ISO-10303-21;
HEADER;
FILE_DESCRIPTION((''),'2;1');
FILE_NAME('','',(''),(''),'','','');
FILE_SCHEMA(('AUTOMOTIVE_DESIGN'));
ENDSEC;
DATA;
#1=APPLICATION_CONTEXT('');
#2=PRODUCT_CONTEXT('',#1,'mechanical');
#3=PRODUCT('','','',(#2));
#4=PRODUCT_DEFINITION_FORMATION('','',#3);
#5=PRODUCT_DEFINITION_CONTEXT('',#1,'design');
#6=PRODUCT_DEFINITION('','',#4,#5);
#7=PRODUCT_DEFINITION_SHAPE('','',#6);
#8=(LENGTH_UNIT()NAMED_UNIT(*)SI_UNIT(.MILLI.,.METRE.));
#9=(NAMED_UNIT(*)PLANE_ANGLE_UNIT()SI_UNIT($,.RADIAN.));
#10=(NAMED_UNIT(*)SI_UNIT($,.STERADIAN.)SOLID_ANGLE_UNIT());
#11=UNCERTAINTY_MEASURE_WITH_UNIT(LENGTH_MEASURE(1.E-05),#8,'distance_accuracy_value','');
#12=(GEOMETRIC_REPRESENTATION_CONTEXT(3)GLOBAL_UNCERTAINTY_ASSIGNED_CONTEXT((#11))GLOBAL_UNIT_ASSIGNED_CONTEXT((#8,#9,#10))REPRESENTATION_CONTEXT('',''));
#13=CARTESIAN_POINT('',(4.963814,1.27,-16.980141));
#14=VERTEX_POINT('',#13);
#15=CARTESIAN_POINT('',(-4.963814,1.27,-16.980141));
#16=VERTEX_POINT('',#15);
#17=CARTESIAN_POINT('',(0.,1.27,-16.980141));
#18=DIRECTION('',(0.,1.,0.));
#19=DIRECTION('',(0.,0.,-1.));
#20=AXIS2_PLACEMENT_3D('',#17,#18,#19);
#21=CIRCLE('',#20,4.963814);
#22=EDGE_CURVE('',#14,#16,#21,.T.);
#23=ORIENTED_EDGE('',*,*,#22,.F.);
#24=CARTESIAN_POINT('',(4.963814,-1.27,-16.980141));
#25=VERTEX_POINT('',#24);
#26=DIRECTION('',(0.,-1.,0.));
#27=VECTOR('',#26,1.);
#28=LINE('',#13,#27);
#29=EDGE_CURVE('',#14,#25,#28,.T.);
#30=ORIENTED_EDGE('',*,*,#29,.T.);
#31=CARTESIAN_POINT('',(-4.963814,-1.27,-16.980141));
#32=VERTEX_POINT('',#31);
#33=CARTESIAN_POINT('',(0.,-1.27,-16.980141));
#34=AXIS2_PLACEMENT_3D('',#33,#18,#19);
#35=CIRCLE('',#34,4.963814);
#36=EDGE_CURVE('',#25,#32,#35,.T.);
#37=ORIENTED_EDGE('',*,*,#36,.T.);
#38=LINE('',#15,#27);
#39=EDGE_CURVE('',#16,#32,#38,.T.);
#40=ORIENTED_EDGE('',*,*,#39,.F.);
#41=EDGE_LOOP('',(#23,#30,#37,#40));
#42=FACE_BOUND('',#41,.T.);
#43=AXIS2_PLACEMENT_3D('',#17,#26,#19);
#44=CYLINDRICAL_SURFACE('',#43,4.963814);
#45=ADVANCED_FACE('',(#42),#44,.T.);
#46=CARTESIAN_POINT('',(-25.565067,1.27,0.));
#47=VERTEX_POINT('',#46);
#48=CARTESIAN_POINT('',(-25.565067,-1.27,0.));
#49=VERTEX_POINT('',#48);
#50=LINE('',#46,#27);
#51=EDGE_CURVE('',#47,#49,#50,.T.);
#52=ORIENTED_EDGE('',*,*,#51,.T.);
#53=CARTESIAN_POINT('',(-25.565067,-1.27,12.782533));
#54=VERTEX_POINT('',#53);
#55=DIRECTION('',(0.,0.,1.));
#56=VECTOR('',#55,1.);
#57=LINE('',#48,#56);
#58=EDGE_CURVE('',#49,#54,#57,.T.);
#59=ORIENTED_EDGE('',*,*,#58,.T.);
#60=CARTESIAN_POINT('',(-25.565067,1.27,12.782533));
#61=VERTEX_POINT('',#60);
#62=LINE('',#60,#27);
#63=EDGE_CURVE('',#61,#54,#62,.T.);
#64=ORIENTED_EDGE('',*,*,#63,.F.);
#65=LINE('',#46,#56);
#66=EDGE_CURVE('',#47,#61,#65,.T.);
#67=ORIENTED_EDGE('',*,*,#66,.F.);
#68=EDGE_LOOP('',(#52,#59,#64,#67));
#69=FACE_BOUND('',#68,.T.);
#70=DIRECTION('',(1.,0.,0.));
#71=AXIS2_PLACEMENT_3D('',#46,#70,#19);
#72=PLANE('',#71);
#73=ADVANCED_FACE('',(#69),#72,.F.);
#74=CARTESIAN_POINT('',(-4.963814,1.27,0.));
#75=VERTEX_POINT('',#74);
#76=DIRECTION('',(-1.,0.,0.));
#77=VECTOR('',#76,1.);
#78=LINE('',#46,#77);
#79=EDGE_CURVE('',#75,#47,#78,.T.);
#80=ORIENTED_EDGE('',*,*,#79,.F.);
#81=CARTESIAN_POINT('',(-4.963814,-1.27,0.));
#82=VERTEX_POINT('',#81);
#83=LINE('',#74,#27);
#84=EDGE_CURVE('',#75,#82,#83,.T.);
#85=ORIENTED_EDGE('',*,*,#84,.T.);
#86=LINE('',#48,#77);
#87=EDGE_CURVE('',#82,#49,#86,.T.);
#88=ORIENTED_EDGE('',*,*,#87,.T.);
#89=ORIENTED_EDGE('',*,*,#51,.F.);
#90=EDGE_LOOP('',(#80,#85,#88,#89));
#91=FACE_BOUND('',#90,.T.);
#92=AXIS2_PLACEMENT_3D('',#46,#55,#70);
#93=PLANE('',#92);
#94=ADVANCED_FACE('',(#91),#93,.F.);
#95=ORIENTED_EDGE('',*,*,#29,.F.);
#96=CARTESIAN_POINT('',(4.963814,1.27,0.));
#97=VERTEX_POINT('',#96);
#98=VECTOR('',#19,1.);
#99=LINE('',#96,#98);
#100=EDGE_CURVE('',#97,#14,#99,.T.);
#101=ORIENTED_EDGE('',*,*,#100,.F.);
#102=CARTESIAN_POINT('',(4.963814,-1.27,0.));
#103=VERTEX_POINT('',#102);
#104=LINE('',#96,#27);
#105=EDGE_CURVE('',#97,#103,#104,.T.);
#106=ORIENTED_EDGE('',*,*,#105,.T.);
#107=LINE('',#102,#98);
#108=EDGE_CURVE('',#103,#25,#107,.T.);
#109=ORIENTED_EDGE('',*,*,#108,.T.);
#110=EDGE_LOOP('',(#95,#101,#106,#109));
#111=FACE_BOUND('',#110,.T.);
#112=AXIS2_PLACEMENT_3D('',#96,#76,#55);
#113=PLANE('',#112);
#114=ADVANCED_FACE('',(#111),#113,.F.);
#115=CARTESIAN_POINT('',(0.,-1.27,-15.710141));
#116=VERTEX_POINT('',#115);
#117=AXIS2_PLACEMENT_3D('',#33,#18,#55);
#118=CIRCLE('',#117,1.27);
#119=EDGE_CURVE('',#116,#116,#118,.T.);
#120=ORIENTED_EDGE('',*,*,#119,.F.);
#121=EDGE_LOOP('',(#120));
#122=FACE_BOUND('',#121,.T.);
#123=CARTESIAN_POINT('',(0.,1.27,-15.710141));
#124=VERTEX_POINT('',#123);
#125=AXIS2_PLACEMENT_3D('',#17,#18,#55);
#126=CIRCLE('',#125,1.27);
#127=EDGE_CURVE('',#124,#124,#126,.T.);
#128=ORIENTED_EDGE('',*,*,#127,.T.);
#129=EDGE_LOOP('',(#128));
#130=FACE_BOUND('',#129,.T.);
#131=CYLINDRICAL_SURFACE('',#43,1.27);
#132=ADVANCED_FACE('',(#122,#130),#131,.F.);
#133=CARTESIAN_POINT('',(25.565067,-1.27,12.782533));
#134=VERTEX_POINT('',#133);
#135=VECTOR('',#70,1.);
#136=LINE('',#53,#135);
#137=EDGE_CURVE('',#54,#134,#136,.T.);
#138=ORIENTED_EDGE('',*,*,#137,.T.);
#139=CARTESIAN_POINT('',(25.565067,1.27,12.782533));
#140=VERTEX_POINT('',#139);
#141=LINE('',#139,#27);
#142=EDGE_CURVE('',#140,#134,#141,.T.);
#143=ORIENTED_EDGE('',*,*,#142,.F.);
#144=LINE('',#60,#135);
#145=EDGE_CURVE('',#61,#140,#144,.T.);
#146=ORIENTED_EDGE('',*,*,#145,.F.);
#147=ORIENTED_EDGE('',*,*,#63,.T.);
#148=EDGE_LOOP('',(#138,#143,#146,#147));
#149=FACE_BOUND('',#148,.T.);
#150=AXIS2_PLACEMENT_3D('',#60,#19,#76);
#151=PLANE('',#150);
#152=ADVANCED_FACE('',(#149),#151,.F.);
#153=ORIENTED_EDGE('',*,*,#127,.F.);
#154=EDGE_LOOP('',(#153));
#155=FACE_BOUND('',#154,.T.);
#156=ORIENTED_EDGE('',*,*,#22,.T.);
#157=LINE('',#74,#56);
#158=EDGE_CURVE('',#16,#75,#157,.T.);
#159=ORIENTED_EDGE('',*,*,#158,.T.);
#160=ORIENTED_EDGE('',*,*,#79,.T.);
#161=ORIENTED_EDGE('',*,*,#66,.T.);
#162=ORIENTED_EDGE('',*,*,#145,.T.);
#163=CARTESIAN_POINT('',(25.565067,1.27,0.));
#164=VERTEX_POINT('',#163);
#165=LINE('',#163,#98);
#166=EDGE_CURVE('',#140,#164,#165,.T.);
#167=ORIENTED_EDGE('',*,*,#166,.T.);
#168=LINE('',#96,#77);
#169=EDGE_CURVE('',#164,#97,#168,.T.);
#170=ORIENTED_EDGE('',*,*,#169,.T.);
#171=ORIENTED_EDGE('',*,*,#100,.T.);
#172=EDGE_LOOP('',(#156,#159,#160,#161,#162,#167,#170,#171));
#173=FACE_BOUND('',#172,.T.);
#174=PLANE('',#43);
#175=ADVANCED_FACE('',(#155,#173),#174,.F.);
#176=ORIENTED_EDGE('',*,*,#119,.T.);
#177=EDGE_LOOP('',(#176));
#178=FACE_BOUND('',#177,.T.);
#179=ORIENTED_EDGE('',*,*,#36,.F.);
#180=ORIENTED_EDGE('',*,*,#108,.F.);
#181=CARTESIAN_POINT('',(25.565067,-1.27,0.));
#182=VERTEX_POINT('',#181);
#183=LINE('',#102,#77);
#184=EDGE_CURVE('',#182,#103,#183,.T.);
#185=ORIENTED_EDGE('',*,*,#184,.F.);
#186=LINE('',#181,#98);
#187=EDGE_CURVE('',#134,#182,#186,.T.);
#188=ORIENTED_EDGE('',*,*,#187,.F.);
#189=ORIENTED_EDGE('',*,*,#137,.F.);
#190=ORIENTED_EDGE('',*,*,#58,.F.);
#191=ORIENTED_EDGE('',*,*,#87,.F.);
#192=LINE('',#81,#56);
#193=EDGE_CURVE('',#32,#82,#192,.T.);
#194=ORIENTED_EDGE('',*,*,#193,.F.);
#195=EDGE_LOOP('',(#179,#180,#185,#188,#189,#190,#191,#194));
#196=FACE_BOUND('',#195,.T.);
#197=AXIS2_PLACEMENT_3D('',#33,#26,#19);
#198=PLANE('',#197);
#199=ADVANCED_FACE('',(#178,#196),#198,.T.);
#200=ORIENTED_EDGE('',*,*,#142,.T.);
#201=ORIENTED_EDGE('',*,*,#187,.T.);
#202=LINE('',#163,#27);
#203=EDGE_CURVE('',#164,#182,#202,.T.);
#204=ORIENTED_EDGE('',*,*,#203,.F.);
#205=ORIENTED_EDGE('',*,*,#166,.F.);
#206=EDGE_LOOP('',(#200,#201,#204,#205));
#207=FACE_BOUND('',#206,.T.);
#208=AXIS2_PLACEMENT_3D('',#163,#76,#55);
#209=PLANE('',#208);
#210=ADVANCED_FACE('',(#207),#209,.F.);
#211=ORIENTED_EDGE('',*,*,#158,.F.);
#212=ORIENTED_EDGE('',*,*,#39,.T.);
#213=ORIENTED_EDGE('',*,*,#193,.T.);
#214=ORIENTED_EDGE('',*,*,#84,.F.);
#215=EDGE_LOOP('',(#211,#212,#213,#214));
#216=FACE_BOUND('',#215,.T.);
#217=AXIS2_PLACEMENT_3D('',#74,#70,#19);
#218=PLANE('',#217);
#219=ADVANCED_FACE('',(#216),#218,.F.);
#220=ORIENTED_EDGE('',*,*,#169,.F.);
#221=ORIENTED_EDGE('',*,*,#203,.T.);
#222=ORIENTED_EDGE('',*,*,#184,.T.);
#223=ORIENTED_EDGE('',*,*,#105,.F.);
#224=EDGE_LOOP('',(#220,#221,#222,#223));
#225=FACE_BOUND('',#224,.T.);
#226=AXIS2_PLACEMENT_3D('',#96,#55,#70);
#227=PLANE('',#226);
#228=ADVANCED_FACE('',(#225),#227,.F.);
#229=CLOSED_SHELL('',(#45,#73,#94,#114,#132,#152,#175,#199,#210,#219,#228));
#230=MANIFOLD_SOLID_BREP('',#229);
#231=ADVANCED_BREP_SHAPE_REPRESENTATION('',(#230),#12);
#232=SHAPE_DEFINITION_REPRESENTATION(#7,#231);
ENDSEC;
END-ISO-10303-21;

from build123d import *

# Parameters (mm, degrees)
SKETCH1_R           = 1.27
BOSS_EXTRUDE1_DEPTH = 1.27


with BuildPart() as part:
    # Sketch1 → Boss-Extrude1 (new, symmetric)
    with BuildSketch(Plane(origin=(0, 0, 0), x_dir=(1, 0, 0), z_dir=(0, 1, 0))):
        with BuildLine():
            Line((4.963813713, 0), (25.565066873, 0))
            Line((25.565066873, 0), (25.565066873, -12.782533436))
            Line((25.565066873, -12.782533436), (-25.565066873, -12.782533436))
            Line((-25.565066873, -12.782533436), (-25.565066873, 0))
            Line((-25.565066873, 0), (-4.963813713, 0))
            Line((-4.963813713, 0), (-4.963813713, 16.980141079))
            ThreePointArc((-4.963813713, 16.980141079), (0, 21.943954793), (4.963813713, 16.980141079))
            Line((4.963813713, 16.980141079), (4.963813713, 0))
        make_face()
        with Locations(Location((0, 16.980141079, 0), (0, 0, 270))):
            Circle(SKETCH1_R, mode=Mode.SUBTRACT)
    extrude(amount=BOSS_EXTRUDE1_DEPTH, both=True)


solid = part.part
